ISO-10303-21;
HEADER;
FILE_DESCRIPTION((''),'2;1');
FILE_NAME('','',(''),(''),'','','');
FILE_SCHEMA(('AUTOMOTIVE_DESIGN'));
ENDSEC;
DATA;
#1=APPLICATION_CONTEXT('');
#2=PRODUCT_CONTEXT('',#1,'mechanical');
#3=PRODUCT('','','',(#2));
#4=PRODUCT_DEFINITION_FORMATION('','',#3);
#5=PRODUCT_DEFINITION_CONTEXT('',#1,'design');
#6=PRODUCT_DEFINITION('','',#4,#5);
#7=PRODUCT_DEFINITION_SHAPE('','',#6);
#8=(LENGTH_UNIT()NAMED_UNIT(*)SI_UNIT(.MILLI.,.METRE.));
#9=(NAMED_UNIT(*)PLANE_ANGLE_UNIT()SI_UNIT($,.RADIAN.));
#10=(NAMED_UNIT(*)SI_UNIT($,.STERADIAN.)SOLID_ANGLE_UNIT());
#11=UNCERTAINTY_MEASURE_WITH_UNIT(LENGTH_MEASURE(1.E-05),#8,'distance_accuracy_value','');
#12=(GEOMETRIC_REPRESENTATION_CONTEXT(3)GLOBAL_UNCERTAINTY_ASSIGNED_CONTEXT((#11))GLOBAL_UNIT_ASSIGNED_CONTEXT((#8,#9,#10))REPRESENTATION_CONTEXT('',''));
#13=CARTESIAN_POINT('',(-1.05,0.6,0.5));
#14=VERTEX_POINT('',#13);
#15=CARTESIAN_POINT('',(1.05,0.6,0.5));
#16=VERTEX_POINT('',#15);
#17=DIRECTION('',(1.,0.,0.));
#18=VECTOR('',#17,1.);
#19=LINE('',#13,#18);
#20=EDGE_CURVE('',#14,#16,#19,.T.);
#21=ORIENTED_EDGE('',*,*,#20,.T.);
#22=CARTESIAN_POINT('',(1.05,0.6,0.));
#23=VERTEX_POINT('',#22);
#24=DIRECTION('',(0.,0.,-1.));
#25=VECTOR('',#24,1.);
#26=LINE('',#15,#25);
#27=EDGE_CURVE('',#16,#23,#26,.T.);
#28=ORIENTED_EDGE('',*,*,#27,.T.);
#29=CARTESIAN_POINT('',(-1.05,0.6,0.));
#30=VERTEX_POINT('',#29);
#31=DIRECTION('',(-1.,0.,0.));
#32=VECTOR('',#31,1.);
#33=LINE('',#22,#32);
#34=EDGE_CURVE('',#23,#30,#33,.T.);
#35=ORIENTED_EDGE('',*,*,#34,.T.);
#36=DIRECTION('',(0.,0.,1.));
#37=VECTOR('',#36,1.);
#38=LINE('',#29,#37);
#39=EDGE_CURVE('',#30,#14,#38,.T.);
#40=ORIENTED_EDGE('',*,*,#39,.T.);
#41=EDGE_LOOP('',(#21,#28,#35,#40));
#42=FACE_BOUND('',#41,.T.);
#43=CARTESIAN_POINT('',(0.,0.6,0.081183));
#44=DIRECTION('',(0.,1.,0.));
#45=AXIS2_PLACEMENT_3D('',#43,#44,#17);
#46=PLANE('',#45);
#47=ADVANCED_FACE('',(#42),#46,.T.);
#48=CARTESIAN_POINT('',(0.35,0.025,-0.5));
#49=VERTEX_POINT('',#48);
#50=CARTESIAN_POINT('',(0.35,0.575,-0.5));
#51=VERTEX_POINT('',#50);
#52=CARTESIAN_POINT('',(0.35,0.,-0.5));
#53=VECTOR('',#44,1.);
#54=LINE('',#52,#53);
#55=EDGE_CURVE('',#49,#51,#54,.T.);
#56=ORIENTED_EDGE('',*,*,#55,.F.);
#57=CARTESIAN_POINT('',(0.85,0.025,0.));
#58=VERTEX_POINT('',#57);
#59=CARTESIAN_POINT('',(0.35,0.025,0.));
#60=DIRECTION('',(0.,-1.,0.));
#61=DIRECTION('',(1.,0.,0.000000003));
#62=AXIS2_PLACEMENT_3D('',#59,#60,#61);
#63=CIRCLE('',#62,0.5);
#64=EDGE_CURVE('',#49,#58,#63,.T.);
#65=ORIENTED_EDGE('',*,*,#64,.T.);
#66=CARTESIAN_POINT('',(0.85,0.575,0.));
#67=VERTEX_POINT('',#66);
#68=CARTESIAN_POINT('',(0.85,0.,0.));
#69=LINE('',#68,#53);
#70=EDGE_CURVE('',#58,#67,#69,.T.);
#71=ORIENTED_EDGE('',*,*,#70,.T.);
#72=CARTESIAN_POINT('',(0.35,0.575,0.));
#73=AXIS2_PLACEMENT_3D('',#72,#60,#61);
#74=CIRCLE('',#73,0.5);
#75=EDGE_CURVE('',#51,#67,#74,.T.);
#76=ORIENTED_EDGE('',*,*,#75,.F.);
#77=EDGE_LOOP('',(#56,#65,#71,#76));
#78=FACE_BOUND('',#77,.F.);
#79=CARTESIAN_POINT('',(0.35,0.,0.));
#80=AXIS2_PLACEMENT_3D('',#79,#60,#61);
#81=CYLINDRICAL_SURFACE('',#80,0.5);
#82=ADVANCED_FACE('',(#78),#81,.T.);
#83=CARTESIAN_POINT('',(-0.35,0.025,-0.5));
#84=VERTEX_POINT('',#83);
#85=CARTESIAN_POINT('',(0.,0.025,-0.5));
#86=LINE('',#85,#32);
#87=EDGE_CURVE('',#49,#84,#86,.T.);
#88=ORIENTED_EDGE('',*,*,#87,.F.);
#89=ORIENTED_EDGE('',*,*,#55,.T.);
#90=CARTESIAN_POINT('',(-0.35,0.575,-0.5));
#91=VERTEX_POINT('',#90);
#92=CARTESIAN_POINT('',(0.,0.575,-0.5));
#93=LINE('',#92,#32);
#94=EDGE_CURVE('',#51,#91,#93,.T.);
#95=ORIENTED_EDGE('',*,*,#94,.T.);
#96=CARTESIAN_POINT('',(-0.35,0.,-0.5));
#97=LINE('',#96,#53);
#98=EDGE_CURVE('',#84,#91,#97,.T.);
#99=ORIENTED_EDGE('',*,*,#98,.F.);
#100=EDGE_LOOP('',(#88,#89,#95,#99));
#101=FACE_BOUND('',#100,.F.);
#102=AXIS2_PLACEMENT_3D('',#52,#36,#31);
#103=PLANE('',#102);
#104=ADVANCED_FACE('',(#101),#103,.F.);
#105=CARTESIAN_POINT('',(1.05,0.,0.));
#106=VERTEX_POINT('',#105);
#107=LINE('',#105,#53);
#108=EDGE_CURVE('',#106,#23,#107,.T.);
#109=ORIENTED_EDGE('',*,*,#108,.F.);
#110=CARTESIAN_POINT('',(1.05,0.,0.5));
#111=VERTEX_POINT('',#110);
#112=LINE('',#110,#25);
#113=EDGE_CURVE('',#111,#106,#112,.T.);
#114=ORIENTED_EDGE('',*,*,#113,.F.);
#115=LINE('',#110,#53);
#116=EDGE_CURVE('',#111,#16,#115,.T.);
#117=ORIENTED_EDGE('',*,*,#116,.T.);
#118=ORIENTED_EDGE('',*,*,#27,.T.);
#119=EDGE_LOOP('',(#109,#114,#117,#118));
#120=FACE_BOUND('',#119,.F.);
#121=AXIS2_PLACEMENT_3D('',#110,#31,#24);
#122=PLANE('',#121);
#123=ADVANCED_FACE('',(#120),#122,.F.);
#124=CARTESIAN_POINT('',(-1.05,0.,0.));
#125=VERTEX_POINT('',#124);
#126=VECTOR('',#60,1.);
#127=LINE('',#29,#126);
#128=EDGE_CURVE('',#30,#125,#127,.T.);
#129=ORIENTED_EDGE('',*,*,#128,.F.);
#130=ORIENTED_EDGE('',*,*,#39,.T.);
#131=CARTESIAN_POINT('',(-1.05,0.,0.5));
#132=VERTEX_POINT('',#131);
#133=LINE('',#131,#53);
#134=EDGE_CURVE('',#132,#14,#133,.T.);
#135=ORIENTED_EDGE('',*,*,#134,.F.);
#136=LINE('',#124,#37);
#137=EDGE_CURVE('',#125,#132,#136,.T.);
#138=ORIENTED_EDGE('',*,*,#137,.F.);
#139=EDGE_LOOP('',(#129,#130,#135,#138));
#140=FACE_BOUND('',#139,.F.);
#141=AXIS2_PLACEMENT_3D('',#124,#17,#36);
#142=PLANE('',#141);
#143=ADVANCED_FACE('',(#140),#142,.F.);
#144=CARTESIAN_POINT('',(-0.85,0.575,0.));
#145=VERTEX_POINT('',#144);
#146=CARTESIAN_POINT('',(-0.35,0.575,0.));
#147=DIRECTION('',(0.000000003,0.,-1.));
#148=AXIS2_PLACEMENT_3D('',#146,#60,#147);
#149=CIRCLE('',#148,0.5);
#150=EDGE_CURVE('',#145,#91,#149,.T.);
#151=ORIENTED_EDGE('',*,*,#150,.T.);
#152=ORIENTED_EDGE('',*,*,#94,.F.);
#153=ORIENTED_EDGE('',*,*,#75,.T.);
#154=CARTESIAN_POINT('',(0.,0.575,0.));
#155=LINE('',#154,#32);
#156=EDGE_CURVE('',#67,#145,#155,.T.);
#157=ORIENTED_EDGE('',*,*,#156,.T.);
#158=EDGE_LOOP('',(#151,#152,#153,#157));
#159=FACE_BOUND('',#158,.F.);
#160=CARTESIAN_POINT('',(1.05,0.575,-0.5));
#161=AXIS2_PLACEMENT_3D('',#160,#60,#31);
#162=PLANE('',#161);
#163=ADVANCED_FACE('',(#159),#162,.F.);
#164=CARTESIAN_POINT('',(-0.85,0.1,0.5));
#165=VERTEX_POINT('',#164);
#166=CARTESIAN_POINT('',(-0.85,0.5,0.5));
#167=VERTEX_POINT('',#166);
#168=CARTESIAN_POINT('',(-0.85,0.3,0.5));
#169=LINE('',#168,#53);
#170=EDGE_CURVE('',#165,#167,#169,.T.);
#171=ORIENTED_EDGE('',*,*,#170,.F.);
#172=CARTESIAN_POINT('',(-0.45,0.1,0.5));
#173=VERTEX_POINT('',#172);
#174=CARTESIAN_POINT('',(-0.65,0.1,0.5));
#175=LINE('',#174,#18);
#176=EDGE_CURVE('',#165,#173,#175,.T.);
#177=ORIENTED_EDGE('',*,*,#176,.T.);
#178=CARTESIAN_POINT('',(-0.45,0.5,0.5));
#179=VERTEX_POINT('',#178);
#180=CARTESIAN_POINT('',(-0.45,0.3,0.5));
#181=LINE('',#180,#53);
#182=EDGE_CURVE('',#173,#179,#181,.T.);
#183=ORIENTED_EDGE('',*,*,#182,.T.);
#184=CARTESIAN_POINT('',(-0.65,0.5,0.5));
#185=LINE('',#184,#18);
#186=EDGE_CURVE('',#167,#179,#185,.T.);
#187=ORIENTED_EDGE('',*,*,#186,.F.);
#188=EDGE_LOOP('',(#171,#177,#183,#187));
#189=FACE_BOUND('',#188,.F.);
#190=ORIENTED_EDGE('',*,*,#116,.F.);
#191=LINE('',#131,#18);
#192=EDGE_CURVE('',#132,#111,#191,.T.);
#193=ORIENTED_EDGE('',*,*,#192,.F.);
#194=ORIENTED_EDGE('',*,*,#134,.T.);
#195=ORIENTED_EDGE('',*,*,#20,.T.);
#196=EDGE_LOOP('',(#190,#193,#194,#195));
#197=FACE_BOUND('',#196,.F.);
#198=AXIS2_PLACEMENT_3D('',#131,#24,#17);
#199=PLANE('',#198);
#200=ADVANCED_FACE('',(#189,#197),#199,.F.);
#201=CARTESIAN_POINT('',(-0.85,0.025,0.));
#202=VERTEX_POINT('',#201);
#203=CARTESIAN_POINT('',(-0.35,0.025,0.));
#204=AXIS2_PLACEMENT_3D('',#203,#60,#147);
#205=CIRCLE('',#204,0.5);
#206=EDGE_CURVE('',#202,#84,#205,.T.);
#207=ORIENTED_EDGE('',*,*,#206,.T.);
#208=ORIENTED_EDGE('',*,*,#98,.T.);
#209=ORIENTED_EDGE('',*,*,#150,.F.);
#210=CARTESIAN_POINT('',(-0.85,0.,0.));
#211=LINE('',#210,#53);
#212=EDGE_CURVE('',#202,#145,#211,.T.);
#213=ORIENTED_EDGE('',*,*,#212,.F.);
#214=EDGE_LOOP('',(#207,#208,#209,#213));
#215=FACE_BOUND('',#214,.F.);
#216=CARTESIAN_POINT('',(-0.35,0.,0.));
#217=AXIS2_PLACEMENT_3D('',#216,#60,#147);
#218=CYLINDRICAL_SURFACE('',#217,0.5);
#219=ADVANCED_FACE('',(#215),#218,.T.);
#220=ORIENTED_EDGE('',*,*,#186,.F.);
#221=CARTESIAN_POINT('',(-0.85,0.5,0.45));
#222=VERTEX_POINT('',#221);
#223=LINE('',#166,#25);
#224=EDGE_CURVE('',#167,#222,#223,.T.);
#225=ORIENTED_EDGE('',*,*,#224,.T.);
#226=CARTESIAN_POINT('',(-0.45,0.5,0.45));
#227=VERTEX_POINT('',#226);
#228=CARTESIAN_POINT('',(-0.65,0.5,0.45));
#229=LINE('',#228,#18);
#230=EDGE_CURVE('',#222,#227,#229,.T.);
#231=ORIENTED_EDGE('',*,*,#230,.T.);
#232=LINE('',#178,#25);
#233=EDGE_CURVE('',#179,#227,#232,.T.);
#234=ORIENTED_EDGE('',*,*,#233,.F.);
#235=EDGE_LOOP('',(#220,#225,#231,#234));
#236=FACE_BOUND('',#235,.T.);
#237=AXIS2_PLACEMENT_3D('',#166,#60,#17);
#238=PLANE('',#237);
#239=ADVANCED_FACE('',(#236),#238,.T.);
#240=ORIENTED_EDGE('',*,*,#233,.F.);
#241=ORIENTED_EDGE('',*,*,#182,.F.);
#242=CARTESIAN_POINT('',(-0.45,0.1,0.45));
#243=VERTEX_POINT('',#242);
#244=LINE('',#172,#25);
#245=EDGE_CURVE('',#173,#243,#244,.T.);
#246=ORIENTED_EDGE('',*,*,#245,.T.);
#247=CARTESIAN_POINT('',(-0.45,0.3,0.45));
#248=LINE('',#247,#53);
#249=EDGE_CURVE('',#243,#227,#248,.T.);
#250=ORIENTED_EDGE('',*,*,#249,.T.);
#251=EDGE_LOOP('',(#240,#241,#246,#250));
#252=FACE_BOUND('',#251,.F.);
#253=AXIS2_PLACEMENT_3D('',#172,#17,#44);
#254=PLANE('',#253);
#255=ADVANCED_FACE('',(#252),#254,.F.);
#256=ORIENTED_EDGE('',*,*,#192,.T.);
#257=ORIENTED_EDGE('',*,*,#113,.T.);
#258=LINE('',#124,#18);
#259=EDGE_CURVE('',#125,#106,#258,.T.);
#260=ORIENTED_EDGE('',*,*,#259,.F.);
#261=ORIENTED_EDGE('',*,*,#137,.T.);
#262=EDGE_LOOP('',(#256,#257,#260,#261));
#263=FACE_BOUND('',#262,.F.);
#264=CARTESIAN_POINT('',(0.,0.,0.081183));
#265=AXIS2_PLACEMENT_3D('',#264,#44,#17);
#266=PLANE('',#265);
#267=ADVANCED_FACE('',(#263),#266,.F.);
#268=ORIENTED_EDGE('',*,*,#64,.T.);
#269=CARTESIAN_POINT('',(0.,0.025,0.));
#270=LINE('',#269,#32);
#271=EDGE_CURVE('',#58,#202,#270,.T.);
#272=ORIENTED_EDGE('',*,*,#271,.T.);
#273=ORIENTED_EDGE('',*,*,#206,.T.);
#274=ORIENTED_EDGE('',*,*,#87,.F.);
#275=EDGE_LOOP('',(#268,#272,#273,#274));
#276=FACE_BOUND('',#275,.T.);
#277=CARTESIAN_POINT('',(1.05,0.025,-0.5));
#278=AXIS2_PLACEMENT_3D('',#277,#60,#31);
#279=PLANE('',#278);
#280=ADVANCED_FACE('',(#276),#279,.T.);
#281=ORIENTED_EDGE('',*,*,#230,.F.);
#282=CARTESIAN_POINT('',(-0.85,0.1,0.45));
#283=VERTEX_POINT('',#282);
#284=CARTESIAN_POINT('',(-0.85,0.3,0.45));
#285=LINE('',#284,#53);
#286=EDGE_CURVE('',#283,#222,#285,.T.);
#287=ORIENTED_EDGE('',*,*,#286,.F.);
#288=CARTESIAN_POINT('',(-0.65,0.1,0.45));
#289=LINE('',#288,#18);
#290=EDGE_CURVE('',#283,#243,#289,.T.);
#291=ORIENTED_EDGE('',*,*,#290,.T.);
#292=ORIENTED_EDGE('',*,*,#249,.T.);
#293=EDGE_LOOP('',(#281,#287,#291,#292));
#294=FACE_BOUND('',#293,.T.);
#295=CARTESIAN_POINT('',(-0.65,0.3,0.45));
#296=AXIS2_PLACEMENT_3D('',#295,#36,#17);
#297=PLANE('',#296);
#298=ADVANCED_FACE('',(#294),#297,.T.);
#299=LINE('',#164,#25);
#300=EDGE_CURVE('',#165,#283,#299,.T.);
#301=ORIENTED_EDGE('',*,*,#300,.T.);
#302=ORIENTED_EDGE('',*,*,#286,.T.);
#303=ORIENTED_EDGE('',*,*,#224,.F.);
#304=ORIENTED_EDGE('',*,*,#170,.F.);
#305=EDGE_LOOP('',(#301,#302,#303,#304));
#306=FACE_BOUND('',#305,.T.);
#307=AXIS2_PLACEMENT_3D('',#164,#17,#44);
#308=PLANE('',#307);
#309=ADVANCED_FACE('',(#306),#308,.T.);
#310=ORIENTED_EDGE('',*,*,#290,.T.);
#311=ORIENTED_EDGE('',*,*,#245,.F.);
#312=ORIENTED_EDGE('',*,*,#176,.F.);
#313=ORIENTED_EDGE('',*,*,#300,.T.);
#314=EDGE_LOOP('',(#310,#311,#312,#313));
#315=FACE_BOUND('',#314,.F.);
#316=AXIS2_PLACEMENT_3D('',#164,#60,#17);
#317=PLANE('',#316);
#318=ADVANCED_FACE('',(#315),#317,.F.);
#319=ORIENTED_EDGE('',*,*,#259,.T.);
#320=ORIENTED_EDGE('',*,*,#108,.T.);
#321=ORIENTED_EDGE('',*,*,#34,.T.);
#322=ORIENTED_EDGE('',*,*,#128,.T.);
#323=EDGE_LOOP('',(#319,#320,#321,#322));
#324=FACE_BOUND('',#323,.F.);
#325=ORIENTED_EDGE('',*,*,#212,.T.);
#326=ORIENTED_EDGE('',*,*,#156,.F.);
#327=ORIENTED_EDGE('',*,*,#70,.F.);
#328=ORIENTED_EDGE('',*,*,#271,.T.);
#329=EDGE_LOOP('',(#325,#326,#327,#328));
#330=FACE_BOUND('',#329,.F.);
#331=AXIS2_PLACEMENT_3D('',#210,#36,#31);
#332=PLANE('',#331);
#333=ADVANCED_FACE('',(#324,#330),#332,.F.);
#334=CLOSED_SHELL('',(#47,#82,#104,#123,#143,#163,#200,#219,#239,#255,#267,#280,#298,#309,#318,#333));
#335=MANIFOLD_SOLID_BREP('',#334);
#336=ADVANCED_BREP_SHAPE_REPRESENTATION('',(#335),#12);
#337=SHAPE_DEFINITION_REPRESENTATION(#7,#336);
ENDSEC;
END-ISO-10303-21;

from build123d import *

# Parameters (mm, degrees)
BOSS_EXTRUDE1_DEPTH = 0.6
SKETCH2_W           = 2.1
SKETCH2_H           = 0.025
CUT_EXTRUDE1_DEPTH  = 0.5
SKETCH3_W           = 0.4
SKETCH3_H           = 0.4
CUT_EXTRUDE2_DEPTH  = 0.05


with BuildPart() as part:
    # Sketch1 → Boss-Extrude1 (new body)
    with BuildSketch(Plane(origin=(0, 0, 0), x_dir=(1, 0, 0), z_dir=(0, 1, 0))):
        with BuildLine():
            Line((-1.05, -0.5), (1.05, -0.5))
            Line((1.05, -0.5), (1.05, 0))
            Line((1.05, 0), (0.85, 0))
            ThreePointArc((0.85, 0), (0.703553391, 0.353553391), (0.35, 0.5))
            Line((0.35, 0.5), (-0.35, 0.5))
            ThreePointArc((-0.35, 0.5), (-0.703553391, 0.353553391), (-0.85, 0))
            Line((-0.85, 0), (-1.05, 0))
            Line((-1.05, 0), (-1.05, -0.5))
        make_face()
    extrude(amount=BOSS_EXTRUDE1_DEPTH)

    # Sketch2 → Cut-Extrude1 (cut)
    with BuildSketch(Plane(origin=(0, 0, -0.5), x_dir=(-1, 0, 0), z_dir=(0, 0, -1))):
        with Locations((0, 0.5875)):
            Rectangle(SKETCH2_W, SKETCH2_H)
        with Locations((0, 0.0125)):
            Rectangle(SKETCH2_W, SKETCH2_H)
    extrude(amount=-CUT_EXTRUDE1_DEPTH, mode=Mode.SUBTRACT)

    # Sketch3 → Cut-Extrude2 (cut)
    with BuildSketch(Plane.XY.offset(0.5)):
        with Locations((-0.65, 0.3)):
            Rectangle(SKETCH3_W, SKETCH3_H)
    extrude(amount=-CUT_EXTRUDE2_DEPTH, mode=Mode.SUBTRACT)


solid = part.part
